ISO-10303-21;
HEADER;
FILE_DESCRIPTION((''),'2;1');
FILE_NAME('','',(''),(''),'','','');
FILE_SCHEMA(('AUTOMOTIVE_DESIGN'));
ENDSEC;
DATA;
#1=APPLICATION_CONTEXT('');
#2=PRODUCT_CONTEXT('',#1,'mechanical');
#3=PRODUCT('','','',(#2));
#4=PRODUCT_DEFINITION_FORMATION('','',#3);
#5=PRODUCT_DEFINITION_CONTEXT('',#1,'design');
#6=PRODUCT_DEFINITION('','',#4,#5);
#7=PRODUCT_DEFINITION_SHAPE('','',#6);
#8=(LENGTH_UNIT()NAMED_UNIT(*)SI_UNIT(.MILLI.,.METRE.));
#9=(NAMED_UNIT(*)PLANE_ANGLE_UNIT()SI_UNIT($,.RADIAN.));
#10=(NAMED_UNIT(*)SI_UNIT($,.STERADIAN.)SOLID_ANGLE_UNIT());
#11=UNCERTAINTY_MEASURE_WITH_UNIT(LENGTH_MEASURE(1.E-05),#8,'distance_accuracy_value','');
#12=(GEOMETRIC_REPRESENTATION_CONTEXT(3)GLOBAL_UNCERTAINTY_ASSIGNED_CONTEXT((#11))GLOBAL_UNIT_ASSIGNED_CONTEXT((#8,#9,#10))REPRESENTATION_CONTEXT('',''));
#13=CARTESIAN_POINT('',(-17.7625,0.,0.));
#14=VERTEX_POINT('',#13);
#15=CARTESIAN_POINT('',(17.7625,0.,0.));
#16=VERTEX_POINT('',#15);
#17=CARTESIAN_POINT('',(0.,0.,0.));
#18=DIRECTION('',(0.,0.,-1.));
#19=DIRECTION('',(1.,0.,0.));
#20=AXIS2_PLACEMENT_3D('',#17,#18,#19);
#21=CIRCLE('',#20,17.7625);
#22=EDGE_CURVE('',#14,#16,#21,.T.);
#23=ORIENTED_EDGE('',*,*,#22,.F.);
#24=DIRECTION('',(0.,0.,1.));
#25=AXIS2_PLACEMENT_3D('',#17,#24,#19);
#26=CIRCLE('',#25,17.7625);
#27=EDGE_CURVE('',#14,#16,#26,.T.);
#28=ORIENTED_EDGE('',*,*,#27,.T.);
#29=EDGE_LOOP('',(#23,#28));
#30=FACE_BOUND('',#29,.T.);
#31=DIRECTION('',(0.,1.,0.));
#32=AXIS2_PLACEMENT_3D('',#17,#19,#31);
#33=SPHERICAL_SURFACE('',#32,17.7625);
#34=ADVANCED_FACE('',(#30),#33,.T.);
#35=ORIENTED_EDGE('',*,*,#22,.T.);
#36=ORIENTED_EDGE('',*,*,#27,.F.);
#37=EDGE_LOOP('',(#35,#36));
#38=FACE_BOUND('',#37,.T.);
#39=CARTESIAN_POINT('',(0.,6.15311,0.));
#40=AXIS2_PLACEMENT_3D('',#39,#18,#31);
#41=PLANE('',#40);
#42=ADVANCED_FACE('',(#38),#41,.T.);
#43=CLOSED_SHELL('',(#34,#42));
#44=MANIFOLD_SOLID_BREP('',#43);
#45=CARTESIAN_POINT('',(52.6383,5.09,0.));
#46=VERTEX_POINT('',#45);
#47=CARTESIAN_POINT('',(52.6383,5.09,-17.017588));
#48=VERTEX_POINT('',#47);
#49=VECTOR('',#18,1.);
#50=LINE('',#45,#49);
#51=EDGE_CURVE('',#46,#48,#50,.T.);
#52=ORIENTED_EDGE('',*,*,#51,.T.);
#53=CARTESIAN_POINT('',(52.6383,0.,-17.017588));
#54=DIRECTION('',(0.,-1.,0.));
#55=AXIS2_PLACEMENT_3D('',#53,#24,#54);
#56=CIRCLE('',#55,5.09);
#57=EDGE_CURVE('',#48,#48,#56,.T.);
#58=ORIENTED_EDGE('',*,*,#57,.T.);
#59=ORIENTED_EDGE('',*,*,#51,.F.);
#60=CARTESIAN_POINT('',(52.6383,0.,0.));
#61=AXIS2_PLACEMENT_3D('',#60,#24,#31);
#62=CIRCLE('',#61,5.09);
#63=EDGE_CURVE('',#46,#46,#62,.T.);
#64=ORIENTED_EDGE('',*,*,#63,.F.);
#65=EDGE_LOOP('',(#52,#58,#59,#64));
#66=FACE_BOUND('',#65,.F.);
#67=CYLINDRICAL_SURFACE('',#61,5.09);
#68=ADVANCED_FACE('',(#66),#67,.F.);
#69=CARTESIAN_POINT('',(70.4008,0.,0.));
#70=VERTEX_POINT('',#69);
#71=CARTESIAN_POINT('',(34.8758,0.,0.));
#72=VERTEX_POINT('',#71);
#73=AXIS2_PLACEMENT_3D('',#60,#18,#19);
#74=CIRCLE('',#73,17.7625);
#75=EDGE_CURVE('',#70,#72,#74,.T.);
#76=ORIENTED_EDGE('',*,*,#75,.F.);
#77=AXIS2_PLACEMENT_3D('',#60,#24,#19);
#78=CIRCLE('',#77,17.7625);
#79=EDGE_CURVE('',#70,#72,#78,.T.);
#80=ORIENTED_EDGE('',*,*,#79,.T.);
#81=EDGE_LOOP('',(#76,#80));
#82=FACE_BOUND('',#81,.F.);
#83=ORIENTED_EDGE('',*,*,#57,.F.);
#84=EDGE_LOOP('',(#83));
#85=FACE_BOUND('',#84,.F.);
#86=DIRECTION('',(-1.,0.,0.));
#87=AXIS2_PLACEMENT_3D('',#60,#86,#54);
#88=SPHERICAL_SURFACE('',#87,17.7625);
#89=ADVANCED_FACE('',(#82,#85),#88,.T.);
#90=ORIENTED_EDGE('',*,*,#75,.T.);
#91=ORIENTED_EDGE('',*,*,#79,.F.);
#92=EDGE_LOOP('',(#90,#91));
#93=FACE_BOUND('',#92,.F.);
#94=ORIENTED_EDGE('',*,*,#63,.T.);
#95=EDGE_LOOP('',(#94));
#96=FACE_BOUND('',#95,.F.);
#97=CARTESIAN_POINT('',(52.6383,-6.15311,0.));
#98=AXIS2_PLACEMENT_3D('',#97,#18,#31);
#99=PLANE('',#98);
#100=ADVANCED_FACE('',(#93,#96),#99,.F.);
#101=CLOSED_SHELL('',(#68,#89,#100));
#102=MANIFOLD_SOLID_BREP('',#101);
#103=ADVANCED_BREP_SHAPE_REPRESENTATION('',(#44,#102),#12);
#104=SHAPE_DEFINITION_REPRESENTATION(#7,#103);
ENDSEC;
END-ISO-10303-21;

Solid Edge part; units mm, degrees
sketch "Sketch1" plane through (0, 0, 0) normal (0, -1, 0) x (1, 0, 0)
  arc A0 (-17.7625, 0) -> (17.7625, 0) centre (0, 0) cw
  line L0 (-17.7625, 0) -> (17.7625, 0)
revolve "RevolvedProtrusion1" add sketch "Sketch1" angle 180 mid plane about axis through (-17.7625, 0, 0) along (1, 0, 0)
sketch "Sketch2" plane through (0, 0, 0) normal (0, -1, 0) x (1, 0, 0)
  line L0 (34.8758, 0) -> (70.4008, 0)
  arc A0 (70.4008, 0) -> (34.8758, 0) centre (52.6383, 0) cw
revolve "RevolvedProtrusion_2" add sketch "Sketch2" angle 180 mid plane about axis through (34.8758, 0, 0) along (1, 0, 0)
sketch "Sketch3" plane through (52.6383, 0, 0) normal (0, 0, 1) x (0, 1, 0)
  circle A0 centre (0, 0) radius 5.09
extrude "ExtrudedCutout_1" cut sketch "Sketch3" against normal blind 44.9285
